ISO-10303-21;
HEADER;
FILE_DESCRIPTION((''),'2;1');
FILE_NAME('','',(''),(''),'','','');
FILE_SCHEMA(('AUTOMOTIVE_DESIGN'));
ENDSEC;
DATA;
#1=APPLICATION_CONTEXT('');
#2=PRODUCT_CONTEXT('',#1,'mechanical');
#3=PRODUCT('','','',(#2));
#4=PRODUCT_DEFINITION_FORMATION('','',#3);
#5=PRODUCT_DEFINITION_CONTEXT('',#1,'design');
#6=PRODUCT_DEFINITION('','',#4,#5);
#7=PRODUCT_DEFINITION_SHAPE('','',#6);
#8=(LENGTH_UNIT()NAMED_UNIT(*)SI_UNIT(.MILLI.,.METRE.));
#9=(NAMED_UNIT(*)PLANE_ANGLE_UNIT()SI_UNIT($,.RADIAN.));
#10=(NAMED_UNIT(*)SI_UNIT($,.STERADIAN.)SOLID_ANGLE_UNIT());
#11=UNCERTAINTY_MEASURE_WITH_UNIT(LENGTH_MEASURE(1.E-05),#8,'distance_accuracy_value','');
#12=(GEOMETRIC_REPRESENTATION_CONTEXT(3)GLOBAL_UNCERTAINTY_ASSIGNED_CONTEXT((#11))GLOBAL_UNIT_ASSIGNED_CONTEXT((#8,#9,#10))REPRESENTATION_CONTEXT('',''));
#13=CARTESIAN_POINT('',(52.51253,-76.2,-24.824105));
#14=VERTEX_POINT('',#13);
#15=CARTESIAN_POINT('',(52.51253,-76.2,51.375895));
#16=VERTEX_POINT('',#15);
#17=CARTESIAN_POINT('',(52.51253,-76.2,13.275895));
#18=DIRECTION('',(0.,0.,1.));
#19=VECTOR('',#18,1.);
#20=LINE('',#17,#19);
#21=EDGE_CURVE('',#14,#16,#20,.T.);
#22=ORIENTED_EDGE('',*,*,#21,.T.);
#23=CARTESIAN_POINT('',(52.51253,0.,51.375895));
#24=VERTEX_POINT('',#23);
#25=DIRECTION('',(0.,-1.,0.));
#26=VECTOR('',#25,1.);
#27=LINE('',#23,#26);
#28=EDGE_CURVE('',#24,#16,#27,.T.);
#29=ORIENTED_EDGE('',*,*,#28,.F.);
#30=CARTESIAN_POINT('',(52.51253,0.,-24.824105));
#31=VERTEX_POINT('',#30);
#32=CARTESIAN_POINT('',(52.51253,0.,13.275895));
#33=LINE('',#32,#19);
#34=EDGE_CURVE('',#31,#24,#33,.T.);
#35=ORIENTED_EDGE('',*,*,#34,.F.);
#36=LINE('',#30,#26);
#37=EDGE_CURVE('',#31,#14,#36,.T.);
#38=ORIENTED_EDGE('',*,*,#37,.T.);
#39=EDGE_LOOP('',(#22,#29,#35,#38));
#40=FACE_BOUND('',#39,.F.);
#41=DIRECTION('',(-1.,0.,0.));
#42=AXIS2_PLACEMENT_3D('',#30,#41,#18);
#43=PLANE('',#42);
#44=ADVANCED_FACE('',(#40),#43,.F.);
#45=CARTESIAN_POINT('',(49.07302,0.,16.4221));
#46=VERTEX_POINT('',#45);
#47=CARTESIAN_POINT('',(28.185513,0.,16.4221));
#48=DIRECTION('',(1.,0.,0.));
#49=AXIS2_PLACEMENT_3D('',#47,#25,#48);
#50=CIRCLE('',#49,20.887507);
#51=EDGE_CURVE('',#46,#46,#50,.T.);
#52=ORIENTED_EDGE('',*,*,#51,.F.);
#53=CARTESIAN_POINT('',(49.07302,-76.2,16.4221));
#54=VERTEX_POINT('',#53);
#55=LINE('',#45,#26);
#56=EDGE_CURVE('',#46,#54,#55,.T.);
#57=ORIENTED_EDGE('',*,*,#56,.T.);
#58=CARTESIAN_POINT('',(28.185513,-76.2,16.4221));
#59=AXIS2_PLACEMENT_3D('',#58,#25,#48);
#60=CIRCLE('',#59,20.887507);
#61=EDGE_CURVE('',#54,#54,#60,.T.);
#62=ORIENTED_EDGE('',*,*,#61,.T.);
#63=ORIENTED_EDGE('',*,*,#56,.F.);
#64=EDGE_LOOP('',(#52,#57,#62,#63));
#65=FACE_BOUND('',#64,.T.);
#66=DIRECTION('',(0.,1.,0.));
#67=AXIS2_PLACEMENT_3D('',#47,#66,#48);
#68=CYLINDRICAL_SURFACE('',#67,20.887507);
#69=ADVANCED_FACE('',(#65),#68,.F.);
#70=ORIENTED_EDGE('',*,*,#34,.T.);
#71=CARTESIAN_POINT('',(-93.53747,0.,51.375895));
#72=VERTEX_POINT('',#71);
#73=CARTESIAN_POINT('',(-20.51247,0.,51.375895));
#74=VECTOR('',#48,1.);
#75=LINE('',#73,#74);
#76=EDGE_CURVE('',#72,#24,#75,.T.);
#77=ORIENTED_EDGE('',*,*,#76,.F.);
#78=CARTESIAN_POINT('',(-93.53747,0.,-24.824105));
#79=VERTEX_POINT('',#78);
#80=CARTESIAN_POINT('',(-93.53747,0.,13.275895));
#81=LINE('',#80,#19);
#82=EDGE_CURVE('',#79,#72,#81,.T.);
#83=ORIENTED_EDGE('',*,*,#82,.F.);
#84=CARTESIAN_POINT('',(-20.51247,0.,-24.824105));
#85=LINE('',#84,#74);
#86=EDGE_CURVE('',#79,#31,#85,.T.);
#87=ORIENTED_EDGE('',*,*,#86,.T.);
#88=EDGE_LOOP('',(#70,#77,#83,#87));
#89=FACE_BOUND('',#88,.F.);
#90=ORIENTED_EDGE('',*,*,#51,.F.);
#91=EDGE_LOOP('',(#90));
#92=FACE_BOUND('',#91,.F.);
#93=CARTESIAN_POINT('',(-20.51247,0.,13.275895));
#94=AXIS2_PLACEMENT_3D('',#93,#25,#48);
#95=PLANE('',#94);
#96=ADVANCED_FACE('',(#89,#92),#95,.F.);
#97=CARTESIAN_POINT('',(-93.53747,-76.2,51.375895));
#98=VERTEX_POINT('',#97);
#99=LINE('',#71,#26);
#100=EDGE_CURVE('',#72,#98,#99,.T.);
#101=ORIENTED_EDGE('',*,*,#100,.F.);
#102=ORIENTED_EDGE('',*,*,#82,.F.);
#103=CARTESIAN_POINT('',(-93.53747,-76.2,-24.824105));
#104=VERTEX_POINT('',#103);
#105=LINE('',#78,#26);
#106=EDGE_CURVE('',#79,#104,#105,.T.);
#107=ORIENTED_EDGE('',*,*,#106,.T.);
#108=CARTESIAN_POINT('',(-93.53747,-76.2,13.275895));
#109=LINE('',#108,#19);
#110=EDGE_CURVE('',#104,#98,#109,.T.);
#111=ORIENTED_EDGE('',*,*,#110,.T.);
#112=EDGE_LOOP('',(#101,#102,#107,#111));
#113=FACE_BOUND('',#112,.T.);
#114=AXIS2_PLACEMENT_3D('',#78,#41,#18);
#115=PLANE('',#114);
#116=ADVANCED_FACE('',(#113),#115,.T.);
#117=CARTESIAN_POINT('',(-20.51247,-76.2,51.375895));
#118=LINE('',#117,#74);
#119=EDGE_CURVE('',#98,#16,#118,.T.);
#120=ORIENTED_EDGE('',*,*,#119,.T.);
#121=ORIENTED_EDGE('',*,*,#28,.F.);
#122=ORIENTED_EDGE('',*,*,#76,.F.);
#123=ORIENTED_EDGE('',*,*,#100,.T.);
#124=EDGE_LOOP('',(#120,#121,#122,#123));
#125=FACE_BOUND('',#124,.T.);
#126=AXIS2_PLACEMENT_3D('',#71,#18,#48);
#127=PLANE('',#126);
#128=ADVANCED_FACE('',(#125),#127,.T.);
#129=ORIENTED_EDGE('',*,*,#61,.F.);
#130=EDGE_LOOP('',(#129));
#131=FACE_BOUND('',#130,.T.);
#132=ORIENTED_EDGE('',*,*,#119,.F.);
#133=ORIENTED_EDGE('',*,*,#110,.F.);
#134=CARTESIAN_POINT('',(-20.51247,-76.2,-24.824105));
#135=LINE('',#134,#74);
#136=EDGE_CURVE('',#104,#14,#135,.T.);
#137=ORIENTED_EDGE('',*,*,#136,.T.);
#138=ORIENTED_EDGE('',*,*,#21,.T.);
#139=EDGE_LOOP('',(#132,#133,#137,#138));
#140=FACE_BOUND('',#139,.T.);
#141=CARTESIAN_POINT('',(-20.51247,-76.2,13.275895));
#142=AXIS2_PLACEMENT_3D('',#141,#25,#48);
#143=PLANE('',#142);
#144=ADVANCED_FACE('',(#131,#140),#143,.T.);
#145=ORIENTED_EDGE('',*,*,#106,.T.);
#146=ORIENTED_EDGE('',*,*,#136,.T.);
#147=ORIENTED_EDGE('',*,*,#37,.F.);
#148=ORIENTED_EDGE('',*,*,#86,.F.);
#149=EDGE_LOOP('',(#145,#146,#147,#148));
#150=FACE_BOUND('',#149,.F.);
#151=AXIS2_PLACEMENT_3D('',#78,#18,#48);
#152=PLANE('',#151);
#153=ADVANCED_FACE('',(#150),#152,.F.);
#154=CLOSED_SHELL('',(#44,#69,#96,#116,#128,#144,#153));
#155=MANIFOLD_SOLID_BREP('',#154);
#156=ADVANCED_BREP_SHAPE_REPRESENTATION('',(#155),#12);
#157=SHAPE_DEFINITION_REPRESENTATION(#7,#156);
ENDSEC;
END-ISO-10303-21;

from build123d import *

# Parameters (mm, degrees)
F0_W     = 146.05
F0_H     = 76.2
F2_DEPTH = 76.2
F3_R     = 20.887507
F4_DEPTH = 76.2
F1_W     = 25.4
F1_H     = 25.4
F5_DEPTH = 76.2


with BuildPart() as f2:
    # F0 (on Front) → F2 (new body)
    with BuildSketch(Plane.XZ):
        with Locations((-20.51247, 13.275895)):
            Rectangle(F0_W, F0_H)
    extrude(amount=F2_DEPTH)

    # F3 (on face) → F4 (cut)
    with BuildSketch(Plane.XZ):
        with Locations((28.185513, 16.4221)):
            Circle(F3_R)
    extrude(amount=F4_DEPTH, mode=Mode.SUBTRACT)

    # F1 (on face) → F5 (join)
    with BuildSketch(Plane.XZ):
        with Locations((-52.30484, 12.7)):
            Rectangle(F1_W, F1_H)
    extrude(amount=F5_DEPTH)


solid = f2.part
